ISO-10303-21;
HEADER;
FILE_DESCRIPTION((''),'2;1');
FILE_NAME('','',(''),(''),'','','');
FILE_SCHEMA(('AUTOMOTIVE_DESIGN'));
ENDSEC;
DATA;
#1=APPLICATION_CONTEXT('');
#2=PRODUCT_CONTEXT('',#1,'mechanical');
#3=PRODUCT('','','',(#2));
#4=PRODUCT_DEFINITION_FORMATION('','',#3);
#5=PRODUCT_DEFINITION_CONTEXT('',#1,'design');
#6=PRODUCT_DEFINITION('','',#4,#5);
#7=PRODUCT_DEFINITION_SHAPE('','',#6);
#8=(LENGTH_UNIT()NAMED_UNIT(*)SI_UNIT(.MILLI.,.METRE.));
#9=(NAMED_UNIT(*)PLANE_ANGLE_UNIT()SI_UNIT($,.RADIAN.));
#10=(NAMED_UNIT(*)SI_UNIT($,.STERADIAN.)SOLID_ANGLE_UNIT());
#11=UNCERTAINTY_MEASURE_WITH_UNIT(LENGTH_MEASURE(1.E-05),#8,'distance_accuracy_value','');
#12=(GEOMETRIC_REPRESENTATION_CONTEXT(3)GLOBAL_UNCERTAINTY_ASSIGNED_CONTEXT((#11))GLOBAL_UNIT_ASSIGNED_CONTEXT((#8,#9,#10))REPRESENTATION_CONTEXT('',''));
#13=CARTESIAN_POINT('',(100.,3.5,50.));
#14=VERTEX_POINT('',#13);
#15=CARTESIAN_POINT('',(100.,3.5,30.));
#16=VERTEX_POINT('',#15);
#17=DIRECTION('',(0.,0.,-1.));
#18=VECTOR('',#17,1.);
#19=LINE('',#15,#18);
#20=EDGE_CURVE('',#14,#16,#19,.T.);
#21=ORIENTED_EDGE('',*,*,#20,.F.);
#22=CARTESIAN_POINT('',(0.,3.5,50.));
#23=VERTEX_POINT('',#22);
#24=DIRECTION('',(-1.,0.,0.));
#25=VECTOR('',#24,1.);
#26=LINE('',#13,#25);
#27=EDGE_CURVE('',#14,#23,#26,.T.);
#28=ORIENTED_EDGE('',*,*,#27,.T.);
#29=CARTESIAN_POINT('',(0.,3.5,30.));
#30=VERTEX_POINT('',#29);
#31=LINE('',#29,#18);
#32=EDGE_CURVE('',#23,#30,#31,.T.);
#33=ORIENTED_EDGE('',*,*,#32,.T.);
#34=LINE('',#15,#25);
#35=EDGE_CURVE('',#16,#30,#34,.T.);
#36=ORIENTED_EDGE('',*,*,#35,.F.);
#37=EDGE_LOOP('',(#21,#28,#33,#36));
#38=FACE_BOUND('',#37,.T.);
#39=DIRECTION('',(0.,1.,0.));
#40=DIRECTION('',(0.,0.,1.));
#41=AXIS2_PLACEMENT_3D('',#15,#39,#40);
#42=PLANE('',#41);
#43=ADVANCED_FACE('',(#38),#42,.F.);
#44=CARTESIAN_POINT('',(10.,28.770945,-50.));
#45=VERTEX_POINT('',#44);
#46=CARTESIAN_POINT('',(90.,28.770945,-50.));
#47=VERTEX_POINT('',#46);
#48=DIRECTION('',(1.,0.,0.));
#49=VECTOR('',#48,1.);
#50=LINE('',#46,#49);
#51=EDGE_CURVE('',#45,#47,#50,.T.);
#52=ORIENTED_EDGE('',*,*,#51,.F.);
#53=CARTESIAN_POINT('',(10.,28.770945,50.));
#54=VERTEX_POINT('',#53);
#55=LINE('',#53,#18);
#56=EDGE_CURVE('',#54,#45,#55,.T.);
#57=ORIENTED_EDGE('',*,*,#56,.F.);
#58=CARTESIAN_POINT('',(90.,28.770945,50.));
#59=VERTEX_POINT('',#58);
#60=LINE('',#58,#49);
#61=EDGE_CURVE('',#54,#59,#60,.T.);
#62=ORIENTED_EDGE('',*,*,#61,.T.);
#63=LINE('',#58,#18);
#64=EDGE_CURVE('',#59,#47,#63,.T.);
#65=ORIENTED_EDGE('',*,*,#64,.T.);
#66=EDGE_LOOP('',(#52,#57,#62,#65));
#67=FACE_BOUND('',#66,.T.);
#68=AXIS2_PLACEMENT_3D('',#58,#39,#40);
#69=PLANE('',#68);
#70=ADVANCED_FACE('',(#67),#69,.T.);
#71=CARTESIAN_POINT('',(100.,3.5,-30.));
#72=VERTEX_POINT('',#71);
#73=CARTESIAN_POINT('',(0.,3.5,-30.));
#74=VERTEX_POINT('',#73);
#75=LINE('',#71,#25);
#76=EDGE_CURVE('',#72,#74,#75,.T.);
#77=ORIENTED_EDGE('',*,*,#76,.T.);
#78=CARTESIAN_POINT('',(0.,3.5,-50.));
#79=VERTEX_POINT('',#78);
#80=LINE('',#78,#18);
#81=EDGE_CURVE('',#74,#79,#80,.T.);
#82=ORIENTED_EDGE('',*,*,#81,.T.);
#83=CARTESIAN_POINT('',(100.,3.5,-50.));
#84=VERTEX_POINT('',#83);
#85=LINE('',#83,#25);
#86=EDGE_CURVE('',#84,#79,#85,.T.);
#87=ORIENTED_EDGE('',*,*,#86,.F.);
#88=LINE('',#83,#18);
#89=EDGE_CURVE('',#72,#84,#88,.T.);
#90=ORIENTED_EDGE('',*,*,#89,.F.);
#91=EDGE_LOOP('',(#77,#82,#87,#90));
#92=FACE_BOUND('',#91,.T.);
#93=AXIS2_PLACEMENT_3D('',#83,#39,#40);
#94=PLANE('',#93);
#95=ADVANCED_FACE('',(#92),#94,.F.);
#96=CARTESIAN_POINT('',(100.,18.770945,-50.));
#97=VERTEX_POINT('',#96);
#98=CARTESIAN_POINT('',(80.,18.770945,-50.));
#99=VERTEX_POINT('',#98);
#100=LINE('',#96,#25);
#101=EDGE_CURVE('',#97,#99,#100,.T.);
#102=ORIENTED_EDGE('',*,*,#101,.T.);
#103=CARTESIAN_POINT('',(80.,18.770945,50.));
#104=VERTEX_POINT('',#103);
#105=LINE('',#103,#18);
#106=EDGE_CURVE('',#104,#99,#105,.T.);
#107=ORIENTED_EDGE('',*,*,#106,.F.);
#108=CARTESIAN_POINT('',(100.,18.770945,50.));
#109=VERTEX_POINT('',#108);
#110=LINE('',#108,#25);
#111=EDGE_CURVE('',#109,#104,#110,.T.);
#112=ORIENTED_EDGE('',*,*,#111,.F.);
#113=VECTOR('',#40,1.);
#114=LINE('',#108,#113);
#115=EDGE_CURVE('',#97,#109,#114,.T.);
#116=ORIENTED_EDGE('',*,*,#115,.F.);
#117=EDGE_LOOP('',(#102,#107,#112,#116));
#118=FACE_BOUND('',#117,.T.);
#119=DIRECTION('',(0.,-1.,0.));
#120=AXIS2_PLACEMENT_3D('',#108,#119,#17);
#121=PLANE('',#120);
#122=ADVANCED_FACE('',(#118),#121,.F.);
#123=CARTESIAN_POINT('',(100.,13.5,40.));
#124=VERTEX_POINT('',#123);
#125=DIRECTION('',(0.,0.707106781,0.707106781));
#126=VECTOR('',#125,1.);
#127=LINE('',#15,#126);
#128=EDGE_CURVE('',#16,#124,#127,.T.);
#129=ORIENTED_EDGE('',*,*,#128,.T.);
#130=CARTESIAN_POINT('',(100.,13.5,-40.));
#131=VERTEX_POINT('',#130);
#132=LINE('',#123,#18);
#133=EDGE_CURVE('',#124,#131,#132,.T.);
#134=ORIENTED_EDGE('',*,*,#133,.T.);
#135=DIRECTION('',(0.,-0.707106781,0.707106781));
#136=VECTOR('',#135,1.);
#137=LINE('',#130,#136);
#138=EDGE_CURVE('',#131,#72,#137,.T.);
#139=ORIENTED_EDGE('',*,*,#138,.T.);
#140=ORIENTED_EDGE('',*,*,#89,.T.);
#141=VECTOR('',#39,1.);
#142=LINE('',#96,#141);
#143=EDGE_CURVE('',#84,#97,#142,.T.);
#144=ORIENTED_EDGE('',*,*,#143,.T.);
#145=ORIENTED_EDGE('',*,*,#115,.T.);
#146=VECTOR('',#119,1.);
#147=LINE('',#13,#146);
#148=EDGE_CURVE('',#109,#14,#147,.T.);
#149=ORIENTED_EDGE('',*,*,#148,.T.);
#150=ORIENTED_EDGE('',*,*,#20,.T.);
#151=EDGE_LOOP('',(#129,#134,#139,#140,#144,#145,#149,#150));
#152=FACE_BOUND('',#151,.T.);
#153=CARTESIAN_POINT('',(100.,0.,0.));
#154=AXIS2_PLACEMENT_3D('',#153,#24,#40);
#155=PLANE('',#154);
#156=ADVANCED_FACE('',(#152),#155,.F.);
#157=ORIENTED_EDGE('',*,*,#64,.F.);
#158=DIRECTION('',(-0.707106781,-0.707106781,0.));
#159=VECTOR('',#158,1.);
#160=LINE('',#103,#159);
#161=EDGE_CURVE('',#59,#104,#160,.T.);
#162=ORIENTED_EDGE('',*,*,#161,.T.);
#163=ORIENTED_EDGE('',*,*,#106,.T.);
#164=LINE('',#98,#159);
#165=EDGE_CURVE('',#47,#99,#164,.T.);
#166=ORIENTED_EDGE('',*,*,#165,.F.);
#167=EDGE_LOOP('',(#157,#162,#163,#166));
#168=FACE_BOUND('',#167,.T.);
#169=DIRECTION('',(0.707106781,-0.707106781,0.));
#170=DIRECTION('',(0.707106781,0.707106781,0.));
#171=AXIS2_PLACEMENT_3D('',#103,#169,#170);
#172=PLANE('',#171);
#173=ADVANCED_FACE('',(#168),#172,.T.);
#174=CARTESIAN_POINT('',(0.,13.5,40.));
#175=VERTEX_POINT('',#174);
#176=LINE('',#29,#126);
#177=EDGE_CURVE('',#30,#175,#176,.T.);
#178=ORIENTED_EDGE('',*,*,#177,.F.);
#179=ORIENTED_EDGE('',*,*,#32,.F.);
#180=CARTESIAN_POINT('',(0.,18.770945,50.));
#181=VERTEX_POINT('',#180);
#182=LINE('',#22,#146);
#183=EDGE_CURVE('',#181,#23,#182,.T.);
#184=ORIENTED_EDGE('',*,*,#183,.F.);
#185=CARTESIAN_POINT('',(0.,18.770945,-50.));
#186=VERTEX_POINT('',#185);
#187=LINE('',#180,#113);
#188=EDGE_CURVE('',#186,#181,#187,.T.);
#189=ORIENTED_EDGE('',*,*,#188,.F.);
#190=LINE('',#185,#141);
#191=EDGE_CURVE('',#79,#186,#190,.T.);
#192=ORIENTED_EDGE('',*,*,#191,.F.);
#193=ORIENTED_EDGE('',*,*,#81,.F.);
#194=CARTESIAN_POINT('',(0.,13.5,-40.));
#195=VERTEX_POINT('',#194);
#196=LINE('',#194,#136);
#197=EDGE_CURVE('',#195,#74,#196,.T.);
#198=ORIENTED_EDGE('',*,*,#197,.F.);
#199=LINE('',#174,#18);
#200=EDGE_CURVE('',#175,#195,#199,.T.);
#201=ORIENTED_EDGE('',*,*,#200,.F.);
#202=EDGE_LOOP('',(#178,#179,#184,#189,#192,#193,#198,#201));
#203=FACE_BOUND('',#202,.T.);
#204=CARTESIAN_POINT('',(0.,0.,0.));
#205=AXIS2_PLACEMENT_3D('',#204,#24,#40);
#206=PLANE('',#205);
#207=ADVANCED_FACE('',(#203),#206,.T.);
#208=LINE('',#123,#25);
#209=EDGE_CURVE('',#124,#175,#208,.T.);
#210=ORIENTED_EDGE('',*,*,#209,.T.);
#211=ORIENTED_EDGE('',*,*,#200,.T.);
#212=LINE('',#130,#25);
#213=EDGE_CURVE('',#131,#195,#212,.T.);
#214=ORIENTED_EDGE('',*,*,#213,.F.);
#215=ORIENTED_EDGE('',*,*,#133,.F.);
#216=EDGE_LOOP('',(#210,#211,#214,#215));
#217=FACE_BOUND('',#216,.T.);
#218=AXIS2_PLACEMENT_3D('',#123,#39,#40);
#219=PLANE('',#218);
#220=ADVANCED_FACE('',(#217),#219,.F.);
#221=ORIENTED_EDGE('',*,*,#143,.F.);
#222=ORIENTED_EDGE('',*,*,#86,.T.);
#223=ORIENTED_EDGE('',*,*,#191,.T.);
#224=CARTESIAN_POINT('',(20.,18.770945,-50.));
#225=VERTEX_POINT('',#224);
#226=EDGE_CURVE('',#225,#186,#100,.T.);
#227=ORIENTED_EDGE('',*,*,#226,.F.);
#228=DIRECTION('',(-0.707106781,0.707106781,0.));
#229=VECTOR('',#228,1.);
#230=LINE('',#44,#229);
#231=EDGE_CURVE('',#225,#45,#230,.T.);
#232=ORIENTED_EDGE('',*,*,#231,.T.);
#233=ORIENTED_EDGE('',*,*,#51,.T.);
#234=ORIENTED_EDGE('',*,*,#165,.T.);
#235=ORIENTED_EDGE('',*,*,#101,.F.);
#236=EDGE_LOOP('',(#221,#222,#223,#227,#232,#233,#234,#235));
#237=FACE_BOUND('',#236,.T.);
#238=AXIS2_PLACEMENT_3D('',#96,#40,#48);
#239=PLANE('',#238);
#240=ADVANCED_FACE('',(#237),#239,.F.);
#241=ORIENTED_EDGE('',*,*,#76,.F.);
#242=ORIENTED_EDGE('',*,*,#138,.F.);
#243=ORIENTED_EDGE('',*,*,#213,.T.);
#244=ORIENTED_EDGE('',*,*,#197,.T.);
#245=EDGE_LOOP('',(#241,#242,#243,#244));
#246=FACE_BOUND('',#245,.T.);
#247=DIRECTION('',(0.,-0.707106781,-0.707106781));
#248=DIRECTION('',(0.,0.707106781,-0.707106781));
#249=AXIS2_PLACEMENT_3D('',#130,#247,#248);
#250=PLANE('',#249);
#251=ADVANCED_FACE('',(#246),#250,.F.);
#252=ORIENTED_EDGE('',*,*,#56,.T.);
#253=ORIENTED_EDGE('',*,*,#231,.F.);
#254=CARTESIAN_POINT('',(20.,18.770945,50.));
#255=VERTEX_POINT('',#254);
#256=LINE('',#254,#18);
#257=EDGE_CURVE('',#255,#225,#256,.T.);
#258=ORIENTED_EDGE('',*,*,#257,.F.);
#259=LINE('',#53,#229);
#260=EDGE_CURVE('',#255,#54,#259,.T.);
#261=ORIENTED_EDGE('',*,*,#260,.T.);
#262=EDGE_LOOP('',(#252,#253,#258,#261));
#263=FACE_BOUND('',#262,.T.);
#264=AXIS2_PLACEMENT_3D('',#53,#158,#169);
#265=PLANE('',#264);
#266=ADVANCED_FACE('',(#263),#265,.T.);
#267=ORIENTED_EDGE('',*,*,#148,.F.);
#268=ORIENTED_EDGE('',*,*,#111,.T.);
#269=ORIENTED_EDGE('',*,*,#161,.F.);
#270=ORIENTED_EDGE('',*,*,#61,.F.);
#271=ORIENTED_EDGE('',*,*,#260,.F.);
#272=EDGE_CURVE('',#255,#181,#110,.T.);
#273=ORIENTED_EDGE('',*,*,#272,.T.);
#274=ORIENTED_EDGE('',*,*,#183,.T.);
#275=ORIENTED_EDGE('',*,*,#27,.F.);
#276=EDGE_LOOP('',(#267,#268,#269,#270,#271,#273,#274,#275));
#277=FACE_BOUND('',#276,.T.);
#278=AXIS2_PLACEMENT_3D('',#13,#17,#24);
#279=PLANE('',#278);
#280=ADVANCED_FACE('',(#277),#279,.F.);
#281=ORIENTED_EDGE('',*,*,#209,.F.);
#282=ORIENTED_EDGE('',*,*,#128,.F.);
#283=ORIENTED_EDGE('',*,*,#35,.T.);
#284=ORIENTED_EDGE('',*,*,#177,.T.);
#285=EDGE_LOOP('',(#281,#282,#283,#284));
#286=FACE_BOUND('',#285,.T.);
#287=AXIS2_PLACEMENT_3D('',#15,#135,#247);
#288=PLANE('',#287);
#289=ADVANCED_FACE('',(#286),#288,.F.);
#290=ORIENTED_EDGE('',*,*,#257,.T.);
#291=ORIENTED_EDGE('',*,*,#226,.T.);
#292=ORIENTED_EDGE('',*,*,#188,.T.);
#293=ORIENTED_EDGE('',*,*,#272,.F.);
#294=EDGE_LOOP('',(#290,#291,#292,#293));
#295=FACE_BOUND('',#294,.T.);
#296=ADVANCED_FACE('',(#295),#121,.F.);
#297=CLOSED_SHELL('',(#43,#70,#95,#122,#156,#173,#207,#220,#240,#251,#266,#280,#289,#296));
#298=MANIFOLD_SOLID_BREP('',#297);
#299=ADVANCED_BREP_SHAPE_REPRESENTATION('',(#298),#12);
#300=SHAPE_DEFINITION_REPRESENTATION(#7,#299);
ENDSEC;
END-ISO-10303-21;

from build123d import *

# Parameters (mm, degrees)
SALIENTE_EXTRUIR1_DEPTH = 100
SALIENTE_EXTRUIR2_DEPTH = 100


with BuildPart() as part:
    # Croquis1 → Saliente-Extruir1 (new body)
    with BuildSketch(Plane(origin=(0, 0, 0), x_dir=(0, 0, -1), z_dir=(1, 0, 0))):
        Polygon((-30, 3.5), (-40, 13.5), (40, 13.5), (30, 3.5), (50, 3.5), (50, 18.770945102), (-50, 18.770945102), (-50, 3.5), align=None)
    extrude(amount=SALIENTE_EXTRUIR1_DEPTH)

    # Croquis2 → Saliente-Extruir2 (add)
    with BuildSketch(Plane(origin=(0, 0, -50), x_dir=(-1, 0, 0), z_dir=(0, 0, -1))):
        Polygon((-80, 18.770945102), (-90, 28.770945102), (-10, 28.770945102), (-20, 18.770945102), align=None)
    extrude(amount=-SALIENTE_EXTRUIR2_DEPTH)


solid = part.part
